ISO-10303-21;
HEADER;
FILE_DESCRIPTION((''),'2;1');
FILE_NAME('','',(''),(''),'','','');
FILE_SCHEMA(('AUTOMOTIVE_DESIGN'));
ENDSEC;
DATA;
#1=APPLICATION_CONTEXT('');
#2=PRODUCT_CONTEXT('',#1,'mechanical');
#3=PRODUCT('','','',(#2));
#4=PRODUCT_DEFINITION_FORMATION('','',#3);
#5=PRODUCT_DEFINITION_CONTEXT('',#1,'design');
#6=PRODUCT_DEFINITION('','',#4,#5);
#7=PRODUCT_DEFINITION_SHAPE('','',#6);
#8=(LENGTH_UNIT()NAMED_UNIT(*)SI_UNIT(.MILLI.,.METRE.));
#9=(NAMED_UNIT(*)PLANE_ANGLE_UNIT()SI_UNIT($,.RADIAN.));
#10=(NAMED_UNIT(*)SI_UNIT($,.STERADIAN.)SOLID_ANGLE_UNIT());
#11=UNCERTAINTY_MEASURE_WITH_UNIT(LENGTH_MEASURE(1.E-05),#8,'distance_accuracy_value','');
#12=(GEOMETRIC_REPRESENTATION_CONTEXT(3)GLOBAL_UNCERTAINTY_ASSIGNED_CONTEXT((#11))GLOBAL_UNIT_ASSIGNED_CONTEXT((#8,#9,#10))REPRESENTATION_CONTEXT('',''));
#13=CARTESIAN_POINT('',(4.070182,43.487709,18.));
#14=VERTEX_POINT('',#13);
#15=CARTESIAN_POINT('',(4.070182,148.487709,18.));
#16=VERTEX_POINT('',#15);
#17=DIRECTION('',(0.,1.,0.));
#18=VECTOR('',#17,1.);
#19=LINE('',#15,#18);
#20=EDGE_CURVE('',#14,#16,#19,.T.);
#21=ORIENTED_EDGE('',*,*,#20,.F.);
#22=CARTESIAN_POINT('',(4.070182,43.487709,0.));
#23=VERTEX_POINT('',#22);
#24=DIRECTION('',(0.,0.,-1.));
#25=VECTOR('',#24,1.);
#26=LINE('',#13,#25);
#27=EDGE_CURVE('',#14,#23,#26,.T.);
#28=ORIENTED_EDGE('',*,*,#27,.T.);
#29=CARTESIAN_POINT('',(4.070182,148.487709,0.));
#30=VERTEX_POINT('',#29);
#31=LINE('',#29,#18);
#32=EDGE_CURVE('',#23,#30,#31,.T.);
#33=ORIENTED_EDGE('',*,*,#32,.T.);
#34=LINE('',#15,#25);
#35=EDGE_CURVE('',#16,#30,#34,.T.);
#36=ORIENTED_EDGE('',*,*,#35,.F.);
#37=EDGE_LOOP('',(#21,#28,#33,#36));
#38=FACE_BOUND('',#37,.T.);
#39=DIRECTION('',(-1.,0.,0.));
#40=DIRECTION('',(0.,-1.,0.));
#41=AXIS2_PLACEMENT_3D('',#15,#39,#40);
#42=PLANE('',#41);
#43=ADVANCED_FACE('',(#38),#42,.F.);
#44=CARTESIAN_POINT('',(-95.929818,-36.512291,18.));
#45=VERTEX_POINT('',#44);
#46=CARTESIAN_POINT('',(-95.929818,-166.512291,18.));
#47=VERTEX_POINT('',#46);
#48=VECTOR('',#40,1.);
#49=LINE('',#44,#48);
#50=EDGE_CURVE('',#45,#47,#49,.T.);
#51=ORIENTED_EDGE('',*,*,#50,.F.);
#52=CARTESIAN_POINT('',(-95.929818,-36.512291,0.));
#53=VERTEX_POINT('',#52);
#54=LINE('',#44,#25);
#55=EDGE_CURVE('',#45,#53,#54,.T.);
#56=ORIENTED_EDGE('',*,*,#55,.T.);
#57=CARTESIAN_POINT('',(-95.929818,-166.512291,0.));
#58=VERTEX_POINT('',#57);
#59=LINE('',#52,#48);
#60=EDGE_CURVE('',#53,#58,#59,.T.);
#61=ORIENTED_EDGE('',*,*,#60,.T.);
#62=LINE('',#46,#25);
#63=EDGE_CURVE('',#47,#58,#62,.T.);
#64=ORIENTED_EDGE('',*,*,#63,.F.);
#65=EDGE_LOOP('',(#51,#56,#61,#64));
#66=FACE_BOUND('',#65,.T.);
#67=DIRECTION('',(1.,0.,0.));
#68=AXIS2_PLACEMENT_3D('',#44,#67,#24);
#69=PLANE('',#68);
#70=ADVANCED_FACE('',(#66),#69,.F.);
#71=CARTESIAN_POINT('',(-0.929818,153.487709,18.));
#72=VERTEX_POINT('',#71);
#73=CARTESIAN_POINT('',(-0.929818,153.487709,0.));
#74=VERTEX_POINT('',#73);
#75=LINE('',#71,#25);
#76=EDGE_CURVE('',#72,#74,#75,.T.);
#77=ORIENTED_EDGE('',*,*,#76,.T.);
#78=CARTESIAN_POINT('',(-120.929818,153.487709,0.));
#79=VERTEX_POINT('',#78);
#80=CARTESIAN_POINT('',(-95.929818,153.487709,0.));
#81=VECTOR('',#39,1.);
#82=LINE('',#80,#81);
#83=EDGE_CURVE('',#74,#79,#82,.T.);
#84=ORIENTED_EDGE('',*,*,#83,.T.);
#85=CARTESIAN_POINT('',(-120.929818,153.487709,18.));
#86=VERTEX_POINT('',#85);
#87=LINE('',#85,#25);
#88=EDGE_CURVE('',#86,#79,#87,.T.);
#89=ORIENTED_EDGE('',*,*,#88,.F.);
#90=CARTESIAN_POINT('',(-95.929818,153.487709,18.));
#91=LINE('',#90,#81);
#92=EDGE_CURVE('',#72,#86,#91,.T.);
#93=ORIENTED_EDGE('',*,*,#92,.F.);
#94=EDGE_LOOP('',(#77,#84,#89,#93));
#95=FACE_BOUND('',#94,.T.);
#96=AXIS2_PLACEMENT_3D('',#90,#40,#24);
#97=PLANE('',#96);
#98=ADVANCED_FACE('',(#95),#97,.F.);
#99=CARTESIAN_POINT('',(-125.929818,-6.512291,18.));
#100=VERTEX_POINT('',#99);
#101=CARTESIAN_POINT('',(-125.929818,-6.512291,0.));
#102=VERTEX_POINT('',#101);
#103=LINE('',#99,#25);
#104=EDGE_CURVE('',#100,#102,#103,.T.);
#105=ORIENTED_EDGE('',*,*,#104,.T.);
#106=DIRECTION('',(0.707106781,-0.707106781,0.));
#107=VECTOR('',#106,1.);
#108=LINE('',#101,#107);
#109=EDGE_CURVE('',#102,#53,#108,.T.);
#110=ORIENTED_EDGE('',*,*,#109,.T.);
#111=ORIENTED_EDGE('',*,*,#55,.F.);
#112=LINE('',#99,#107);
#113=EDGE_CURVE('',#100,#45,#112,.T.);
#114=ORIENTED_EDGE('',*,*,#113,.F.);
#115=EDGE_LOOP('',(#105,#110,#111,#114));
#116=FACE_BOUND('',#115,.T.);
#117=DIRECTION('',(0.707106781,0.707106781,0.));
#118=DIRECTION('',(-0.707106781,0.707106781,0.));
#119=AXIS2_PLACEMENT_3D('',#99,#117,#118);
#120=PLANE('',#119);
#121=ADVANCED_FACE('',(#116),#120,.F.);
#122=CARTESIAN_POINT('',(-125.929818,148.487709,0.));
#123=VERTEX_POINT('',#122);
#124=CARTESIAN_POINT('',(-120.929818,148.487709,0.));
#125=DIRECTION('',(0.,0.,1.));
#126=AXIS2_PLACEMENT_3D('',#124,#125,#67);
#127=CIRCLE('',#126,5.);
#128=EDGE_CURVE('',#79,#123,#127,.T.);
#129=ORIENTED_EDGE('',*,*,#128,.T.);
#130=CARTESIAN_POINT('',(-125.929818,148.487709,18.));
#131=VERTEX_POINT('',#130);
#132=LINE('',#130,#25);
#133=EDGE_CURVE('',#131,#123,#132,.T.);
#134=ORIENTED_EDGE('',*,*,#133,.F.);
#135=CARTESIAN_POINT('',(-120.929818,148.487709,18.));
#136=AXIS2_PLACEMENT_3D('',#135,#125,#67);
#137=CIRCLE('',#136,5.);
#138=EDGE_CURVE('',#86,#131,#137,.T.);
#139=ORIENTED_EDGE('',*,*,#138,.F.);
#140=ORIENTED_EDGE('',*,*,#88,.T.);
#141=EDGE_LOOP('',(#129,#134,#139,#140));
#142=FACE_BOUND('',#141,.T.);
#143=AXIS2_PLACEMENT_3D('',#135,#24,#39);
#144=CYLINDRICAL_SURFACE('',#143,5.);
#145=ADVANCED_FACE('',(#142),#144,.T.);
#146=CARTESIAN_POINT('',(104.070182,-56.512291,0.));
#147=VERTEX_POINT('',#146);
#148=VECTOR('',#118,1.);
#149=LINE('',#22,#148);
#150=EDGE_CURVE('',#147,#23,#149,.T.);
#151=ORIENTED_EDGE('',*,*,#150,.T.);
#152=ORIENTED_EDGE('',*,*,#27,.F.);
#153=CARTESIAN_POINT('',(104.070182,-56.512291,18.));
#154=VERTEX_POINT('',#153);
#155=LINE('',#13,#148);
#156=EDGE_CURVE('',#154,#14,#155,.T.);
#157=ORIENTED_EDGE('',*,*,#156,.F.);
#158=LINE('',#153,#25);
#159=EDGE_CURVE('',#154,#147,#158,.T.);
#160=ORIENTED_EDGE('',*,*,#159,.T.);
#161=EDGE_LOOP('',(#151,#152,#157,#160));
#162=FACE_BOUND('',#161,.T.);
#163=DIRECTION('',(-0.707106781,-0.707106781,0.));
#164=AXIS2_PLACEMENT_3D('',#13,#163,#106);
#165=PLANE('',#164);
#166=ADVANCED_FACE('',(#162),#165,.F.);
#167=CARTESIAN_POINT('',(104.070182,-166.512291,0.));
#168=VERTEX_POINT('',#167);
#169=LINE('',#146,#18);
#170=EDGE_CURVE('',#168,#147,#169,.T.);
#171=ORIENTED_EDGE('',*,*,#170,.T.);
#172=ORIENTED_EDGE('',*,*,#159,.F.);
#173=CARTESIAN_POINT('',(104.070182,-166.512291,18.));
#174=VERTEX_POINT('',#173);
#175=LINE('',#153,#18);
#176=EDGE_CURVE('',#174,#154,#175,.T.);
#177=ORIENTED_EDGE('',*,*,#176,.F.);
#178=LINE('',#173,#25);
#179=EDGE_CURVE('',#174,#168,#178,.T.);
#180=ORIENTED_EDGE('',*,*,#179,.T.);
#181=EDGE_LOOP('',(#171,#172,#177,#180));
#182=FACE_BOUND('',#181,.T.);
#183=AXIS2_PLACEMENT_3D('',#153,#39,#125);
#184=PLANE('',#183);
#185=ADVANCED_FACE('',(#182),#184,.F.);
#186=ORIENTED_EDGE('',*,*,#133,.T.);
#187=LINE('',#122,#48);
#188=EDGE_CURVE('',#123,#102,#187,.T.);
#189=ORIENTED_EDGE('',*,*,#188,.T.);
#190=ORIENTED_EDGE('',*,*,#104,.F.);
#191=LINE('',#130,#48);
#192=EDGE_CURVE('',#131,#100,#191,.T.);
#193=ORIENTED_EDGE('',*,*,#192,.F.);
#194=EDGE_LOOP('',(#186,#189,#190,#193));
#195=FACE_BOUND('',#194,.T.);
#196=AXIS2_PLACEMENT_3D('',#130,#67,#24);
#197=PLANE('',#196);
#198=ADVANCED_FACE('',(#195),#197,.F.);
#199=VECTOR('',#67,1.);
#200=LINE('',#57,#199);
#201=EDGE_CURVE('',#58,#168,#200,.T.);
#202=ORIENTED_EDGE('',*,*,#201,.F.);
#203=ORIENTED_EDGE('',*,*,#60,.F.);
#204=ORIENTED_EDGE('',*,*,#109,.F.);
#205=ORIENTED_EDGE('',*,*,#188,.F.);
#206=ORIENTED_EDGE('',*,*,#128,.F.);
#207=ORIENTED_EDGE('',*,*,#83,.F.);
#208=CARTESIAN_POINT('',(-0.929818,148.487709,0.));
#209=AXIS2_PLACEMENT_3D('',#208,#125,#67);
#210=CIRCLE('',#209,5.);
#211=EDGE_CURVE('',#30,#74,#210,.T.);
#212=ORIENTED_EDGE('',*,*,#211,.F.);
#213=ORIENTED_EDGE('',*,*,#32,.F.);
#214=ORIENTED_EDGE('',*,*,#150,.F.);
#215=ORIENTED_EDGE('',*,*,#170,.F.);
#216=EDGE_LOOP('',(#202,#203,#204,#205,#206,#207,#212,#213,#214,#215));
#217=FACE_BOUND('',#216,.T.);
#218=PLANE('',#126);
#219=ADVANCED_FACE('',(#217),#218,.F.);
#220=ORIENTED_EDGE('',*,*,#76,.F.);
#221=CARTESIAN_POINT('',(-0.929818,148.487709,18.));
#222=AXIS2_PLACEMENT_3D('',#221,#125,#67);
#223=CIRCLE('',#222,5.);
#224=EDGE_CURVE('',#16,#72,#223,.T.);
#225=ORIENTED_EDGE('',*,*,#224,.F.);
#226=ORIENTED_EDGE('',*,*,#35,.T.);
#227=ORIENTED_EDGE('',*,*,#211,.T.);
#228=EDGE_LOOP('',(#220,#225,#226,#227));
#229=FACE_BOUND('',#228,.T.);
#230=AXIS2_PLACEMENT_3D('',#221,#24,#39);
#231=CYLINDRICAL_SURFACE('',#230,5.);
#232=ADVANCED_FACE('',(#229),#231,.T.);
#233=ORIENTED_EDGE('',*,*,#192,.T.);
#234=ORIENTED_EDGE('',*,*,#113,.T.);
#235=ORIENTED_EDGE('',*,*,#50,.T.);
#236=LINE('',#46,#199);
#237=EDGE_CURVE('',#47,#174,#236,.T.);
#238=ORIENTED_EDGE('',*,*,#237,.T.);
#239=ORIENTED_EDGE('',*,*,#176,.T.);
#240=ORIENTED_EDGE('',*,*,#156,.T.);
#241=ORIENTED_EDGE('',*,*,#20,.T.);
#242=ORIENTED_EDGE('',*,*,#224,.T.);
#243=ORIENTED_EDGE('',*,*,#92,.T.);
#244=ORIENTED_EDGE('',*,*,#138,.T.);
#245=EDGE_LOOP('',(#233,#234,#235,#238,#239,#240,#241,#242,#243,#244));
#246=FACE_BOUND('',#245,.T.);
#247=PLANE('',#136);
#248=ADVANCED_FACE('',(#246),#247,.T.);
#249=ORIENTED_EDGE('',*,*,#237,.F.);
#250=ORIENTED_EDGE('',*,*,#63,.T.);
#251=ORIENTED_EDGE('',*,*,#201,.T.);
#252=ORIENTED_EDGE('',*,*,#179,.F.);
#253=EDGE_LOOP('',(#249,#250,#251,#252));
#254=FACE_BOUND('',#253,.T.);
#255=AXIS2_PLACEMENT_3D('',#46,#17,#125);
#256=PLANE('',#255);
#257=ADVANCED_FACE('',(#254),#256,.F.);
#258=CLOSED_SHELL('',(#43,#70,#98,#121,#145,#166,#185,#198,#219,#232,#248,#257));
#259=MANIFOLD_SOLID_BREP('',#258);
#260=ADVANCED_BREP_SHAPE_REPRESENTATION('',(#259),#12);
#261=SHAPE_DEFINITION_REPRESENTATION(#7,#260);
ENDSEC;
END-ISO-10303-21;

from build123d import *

# Parameters (mm, degrees)
BOSS_EXTRUDE1_DEPTH = 18


with BuildPart() as part:
    # Sketch1 → Boss-Extrude1 (new body)
    with BuildSketch(Plane.XY):
        with BuildLine():
            Line((4.070181983, 148.487708827), (4.070181983, 43.487708827))
            Line((4.070181983, 43.487708827), (104.070181983, -56.512291173))
            Line((104.070181983, -56.512291173), (104.070181983, -166.512291173))
            Line((104.070181983, -166.512291173), (-95.929818017, -166.512291173))
            Line((-95.929818017, -166.512291173), (-95.929818017, -36.512291173))
            Line((-95.929818017, -36.512291173), (-125.929818017, -6.512291173))
            Line((-125.929818017, -6.512291173), (-125.929818017, 148.487708827))
            ThreePointArc((-125.929818017, 148.487708827), (-124.465351923, 152.023242733), (-120.929818017, 153.487708827))
            Line((-120.929818017, 153.487708827), (-95.929818017, 153.487708827))
            Line((-95.929818017, 153.487708827), (-0.929818017, 153.487708827))
            ThreePointArc((-0.929818017, 153.487708827), (2.605715889, 152.023242733), (4.070181983, 148.487708827))
        make_face()
    extrude(amount=BOSS_EXTRUDE1_DEPTH)


solid = part.part
